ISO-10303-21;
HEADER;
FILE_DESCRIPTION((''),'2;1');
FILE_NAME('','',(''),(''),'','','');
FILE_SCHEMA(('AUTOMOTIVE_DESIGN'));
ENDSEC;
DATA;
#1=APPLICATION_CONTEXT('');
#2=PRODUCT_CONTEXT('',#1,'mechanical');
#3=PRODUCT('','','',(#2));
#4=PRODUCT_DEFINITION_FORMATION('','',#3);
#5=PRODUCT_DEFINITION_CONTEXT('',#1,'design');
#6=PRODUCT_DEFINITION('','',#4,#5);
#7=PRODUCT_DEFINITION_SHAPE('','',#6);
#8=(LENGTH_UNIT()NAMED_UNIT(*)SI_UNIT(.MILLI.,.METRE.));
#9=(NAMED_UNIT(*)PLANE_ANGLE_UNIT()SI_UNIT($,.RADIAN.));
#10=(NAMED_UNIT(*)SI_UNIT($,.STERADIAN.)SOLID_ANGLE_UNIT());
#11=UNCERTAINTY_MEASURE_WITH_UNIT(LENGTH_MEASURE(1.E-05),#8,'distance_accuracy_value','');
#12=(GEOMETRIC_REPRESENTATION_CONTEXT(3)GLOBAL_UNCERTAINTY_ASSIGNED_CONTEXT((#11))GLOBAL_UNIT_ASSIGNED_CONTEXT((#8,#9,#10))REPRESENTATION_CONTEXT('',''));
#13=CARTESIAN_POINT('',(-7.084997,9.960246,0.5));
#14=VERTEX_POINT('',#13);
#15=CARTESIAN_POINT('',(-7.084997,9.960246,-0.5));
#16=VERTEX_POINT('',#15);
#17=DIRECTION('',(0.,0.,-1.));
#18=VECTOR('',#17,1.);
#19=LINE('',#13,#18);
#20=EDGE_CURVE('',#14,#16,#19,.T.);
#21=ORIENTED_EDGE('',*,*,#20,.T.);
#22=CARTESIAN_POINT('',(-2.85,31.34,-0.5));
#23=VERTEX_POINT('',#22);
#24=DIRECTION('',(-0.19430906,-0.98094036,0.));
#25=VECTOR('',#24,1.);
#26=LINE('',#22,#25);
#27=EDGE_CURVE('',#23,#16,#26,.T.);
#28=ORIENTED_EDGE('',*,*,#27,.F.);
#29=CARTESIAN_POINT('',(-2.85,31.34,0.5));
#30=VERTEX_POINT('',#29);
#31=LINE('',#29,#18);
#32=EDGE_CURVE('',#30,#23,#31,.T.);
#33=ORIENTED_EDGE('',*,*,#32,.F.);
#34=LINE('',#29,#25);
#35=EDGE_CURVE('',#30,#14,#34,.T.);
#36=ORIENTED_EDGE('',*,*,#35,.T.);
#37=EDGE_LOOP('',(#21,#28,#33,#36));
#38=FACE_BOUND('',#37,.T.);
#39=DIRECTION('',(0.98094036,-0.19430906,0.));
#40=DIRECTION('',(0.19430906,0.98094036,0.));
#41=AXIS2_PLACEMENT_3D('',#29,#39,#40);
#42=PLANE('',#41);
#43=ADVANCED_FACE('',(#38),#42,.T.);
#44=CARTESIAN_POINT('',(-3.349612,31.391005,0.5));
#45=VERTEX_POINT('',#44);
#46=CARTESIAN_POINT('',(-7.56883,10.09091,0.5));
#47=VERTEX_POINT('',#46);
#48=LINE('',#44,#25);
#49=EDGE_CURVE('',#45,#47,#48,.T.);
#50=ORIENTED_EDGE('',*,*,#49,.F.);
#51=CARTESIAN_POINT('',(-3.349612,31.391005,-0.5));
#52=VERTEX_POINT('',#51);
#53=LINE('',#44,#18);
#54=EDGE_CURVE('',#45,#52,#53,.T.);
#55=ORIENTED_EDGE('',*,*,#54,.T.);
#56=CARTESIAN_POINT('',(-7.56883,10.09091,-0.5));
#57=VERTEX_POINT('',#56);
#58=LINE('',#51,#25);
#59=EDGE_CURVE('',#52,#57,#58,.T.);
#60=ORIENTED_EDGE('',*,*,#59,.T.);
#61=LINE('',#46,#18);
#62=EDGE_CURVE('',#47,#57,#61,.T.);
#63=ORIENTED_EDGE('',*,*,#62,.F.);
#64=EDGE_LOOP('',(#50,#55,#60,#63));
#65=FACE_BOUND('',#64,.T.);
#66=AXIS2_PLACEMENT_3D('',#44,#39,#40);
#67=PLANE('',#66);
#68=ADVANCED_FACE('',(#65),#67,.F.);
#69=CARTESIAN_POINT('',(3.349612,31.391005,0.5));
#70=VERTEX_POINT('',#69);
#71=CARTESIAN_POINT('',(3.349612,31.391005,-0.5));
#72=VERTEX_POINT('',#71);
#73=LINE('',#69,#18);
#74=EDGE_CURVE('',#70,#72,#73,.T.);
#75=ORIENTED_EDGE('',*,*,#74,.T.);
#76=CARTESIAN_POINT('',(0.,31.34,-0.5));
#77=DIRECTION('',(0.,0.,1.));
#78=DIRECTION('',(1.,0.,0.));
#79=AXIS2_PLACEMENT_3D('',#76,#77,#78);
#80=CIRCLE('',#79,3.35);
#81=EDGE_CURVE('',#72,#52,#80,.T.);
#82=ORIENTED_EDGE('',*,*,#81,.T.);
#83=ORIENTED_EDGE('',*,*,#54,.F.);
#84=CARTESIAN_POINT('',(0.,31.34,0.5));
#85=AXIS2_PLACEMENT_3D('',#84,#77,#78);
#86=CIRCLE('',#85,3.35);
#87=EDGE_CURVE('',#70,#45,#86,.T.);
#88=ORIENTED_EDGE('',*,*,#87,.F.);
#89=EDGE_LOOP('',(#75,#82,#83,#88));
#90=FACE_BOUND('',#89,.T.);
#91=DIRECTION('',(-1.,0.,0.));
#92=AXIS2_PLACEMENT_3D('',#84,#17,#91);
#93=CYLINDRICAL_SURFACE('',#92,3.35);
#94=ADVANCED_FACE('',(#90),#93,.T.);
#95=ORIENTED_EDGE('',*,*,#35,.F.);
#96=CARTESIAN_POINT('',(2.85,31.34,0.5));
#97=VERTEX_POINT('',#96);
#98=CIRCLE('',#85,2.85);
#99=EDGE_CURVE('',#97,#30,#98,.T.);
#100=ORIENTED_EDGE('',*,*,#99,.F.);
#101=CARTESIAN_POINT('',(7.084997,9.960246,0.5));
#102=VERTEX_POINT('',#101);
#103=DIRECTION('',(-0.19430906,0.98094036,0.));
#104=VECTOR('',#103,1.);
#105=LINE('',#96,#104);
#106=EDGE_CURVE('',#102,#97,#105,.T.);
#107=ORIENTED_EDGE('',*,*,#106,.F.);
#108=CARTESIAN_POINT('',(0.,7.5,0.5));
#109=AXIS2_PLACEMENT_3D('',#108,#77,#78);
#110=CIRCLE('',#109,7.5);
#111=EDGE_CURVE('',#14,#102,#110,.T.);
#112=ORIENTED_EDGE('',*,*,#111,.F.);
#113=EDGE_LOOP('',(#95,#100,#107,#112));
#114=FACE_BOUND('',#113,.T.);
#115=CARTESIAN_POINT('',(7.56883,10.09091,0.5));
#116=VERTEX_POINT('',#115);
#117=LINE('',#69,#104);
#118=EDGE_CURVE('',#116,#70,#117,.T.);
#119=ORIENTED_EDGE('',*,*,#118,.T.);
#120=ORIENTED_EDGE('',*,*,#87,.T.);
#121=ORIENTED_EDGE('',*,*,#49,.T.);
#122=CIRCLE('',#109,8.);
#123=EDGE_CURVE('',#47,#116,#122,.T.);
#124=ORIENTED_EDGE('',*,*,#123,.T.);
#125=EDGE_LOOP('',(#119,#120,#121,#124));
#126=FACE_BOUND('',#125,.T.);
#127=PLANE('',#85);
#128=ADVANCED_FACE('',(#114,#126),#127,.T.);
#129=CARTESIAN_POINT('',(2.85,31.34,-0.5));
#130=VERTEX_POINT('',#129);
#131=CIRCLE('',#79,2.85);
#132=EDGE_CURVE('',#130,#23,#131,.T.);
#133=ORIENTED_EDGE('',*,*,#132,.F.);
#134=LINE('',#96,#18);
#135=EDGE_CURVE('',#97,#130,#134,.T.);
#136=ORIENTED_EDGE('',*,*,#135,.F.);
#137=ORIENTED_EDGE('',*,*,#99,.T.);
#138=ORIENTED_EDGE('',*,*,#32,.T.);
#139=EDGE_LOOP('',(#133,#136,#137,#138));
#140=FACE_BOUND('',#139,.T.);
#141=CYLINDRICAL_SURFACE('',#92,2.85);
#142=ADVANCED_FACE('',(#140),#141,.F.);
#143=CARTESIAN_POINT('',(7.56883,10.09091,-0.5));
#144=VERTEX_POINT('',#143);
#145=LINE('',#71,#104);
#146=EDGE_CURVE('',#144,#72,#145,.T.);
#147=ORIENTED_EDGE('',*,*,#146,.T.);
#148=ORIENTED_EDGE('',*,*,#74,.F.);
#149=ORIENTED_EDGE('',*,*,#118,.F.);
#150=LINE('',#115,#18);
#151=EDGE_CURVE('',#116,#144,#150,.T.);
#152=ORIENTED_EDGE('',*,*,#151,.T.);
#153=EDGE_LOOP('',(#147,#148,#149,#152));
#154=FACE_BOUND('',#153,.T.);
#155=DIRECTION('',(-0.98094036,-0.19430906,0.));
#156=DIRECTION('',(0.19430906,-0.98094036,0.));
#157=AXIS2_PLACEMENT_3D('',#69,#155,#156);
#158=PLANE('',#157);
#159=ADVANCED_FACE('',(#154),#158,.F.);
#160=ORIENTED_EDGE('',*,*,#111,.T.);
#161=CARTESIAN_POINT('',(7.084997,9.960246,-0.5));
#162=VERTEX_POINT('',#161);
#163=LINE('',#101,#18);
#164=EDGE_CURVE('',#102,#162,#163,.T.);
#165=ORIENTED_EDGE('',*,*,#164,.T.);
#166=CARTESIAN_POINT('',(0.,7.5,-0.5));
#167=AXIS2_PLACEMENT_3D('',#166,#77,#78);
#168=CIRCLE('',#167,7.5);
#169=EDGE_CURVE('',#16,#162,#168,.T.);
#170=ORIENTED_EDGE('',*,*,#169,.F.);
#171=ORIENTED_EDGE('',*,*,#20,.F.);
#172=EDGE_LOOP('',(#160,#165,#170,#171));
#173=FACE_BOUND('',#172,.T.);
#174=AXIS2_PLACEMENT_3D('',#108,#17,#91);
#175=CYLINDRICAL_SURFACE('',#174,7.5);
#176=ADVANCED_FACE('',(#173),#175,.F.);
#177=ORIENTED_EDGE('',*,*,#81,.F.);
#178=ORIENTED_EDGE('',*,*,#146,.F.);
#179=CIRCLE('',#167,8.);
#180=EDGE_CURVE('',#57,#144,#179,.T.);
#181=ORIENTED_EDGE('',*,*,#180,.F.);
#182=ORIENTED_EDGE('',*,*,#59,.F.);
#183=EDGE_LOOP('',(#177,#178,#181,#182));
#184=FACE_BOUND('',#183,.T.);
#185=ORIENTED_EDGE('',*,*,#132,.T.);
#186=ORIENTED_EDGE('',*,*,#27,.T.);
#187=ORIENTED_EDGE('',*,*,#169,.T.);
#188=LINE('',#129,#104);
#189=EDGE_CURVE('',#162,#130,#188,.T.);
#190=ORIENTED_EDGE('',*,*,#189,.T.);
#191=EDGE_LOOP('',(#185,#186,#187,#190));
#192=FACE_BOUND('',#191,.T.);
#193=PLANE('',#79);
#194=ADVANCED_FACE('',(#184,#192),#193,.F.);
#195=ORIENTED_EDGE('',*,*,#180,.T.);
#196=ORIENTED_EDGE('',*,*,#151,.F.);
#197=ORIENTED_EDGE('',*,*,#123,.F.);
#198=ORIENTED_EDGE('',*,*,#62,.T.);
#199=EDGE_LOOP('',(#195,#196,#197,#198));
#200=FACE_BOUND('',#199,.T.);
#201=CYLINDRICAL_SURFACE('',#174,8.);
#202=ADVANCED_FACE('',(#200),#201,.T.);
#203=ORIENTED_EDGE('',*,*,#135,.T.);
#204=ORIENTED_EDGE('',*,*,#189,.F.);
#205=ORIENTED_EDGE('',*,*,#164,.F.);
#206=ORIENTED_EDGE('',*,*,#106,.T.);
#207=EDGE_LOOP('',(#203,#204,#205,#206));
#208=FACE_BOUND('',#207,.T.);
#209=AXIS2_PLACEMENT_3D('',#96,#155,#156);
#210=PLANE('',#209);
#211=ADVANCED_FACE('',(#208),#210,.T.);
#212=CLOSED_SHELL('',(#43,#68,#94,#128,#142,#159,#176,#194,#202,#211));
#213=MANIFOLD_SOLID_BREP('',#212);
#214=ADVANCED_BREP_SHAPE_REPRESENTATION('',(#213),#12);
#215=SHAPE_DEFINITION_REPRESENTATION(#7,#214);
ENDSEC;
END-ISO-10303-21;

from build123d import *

# Parameters (mm, degrees)
BOSS_EXTRUDE2_DEPTH = 0.5


with BuildPart() as part:
    # Sketch1 → Boss-Extrude2 (new, symmetric)
    with BuildSketch(Plane.XY):
        with BuildLine():
            Line((-3.349611693, 31.391004962), (-7.568829969, 10.090909665))
            ThreePointArc((-7.568829969, 10.090909665), (0, -0.5), (7.568829969, 10.090909665))
            Line((7.568829969, 10.090909665), (3.349611693, 31.391004962))
            ThreePointArc((3.349611693, 31.391004962), (0, 34.69), (-3.349611693, 31.391004962))
        make_face()
        with BuildLine():
            Line((-2.85, 31.34), (-7.084997331, 9.960246496))
            ThreePointArc((-7.084997331, 9.960246496), (0, 0), (7.084997331, 9.960246496))
            Line((7.084997331, 9.960246496), (2.85, 31.34))
            ThreePointArc((2.85, 31.34), (0, 34.19), (-2.85, 31.34))
        make_face(mode=Mode.SUBTRACT)
    extrude(amount=BOSS_EXTRUDE2_DEPTH, both=True)


solid = part.part
